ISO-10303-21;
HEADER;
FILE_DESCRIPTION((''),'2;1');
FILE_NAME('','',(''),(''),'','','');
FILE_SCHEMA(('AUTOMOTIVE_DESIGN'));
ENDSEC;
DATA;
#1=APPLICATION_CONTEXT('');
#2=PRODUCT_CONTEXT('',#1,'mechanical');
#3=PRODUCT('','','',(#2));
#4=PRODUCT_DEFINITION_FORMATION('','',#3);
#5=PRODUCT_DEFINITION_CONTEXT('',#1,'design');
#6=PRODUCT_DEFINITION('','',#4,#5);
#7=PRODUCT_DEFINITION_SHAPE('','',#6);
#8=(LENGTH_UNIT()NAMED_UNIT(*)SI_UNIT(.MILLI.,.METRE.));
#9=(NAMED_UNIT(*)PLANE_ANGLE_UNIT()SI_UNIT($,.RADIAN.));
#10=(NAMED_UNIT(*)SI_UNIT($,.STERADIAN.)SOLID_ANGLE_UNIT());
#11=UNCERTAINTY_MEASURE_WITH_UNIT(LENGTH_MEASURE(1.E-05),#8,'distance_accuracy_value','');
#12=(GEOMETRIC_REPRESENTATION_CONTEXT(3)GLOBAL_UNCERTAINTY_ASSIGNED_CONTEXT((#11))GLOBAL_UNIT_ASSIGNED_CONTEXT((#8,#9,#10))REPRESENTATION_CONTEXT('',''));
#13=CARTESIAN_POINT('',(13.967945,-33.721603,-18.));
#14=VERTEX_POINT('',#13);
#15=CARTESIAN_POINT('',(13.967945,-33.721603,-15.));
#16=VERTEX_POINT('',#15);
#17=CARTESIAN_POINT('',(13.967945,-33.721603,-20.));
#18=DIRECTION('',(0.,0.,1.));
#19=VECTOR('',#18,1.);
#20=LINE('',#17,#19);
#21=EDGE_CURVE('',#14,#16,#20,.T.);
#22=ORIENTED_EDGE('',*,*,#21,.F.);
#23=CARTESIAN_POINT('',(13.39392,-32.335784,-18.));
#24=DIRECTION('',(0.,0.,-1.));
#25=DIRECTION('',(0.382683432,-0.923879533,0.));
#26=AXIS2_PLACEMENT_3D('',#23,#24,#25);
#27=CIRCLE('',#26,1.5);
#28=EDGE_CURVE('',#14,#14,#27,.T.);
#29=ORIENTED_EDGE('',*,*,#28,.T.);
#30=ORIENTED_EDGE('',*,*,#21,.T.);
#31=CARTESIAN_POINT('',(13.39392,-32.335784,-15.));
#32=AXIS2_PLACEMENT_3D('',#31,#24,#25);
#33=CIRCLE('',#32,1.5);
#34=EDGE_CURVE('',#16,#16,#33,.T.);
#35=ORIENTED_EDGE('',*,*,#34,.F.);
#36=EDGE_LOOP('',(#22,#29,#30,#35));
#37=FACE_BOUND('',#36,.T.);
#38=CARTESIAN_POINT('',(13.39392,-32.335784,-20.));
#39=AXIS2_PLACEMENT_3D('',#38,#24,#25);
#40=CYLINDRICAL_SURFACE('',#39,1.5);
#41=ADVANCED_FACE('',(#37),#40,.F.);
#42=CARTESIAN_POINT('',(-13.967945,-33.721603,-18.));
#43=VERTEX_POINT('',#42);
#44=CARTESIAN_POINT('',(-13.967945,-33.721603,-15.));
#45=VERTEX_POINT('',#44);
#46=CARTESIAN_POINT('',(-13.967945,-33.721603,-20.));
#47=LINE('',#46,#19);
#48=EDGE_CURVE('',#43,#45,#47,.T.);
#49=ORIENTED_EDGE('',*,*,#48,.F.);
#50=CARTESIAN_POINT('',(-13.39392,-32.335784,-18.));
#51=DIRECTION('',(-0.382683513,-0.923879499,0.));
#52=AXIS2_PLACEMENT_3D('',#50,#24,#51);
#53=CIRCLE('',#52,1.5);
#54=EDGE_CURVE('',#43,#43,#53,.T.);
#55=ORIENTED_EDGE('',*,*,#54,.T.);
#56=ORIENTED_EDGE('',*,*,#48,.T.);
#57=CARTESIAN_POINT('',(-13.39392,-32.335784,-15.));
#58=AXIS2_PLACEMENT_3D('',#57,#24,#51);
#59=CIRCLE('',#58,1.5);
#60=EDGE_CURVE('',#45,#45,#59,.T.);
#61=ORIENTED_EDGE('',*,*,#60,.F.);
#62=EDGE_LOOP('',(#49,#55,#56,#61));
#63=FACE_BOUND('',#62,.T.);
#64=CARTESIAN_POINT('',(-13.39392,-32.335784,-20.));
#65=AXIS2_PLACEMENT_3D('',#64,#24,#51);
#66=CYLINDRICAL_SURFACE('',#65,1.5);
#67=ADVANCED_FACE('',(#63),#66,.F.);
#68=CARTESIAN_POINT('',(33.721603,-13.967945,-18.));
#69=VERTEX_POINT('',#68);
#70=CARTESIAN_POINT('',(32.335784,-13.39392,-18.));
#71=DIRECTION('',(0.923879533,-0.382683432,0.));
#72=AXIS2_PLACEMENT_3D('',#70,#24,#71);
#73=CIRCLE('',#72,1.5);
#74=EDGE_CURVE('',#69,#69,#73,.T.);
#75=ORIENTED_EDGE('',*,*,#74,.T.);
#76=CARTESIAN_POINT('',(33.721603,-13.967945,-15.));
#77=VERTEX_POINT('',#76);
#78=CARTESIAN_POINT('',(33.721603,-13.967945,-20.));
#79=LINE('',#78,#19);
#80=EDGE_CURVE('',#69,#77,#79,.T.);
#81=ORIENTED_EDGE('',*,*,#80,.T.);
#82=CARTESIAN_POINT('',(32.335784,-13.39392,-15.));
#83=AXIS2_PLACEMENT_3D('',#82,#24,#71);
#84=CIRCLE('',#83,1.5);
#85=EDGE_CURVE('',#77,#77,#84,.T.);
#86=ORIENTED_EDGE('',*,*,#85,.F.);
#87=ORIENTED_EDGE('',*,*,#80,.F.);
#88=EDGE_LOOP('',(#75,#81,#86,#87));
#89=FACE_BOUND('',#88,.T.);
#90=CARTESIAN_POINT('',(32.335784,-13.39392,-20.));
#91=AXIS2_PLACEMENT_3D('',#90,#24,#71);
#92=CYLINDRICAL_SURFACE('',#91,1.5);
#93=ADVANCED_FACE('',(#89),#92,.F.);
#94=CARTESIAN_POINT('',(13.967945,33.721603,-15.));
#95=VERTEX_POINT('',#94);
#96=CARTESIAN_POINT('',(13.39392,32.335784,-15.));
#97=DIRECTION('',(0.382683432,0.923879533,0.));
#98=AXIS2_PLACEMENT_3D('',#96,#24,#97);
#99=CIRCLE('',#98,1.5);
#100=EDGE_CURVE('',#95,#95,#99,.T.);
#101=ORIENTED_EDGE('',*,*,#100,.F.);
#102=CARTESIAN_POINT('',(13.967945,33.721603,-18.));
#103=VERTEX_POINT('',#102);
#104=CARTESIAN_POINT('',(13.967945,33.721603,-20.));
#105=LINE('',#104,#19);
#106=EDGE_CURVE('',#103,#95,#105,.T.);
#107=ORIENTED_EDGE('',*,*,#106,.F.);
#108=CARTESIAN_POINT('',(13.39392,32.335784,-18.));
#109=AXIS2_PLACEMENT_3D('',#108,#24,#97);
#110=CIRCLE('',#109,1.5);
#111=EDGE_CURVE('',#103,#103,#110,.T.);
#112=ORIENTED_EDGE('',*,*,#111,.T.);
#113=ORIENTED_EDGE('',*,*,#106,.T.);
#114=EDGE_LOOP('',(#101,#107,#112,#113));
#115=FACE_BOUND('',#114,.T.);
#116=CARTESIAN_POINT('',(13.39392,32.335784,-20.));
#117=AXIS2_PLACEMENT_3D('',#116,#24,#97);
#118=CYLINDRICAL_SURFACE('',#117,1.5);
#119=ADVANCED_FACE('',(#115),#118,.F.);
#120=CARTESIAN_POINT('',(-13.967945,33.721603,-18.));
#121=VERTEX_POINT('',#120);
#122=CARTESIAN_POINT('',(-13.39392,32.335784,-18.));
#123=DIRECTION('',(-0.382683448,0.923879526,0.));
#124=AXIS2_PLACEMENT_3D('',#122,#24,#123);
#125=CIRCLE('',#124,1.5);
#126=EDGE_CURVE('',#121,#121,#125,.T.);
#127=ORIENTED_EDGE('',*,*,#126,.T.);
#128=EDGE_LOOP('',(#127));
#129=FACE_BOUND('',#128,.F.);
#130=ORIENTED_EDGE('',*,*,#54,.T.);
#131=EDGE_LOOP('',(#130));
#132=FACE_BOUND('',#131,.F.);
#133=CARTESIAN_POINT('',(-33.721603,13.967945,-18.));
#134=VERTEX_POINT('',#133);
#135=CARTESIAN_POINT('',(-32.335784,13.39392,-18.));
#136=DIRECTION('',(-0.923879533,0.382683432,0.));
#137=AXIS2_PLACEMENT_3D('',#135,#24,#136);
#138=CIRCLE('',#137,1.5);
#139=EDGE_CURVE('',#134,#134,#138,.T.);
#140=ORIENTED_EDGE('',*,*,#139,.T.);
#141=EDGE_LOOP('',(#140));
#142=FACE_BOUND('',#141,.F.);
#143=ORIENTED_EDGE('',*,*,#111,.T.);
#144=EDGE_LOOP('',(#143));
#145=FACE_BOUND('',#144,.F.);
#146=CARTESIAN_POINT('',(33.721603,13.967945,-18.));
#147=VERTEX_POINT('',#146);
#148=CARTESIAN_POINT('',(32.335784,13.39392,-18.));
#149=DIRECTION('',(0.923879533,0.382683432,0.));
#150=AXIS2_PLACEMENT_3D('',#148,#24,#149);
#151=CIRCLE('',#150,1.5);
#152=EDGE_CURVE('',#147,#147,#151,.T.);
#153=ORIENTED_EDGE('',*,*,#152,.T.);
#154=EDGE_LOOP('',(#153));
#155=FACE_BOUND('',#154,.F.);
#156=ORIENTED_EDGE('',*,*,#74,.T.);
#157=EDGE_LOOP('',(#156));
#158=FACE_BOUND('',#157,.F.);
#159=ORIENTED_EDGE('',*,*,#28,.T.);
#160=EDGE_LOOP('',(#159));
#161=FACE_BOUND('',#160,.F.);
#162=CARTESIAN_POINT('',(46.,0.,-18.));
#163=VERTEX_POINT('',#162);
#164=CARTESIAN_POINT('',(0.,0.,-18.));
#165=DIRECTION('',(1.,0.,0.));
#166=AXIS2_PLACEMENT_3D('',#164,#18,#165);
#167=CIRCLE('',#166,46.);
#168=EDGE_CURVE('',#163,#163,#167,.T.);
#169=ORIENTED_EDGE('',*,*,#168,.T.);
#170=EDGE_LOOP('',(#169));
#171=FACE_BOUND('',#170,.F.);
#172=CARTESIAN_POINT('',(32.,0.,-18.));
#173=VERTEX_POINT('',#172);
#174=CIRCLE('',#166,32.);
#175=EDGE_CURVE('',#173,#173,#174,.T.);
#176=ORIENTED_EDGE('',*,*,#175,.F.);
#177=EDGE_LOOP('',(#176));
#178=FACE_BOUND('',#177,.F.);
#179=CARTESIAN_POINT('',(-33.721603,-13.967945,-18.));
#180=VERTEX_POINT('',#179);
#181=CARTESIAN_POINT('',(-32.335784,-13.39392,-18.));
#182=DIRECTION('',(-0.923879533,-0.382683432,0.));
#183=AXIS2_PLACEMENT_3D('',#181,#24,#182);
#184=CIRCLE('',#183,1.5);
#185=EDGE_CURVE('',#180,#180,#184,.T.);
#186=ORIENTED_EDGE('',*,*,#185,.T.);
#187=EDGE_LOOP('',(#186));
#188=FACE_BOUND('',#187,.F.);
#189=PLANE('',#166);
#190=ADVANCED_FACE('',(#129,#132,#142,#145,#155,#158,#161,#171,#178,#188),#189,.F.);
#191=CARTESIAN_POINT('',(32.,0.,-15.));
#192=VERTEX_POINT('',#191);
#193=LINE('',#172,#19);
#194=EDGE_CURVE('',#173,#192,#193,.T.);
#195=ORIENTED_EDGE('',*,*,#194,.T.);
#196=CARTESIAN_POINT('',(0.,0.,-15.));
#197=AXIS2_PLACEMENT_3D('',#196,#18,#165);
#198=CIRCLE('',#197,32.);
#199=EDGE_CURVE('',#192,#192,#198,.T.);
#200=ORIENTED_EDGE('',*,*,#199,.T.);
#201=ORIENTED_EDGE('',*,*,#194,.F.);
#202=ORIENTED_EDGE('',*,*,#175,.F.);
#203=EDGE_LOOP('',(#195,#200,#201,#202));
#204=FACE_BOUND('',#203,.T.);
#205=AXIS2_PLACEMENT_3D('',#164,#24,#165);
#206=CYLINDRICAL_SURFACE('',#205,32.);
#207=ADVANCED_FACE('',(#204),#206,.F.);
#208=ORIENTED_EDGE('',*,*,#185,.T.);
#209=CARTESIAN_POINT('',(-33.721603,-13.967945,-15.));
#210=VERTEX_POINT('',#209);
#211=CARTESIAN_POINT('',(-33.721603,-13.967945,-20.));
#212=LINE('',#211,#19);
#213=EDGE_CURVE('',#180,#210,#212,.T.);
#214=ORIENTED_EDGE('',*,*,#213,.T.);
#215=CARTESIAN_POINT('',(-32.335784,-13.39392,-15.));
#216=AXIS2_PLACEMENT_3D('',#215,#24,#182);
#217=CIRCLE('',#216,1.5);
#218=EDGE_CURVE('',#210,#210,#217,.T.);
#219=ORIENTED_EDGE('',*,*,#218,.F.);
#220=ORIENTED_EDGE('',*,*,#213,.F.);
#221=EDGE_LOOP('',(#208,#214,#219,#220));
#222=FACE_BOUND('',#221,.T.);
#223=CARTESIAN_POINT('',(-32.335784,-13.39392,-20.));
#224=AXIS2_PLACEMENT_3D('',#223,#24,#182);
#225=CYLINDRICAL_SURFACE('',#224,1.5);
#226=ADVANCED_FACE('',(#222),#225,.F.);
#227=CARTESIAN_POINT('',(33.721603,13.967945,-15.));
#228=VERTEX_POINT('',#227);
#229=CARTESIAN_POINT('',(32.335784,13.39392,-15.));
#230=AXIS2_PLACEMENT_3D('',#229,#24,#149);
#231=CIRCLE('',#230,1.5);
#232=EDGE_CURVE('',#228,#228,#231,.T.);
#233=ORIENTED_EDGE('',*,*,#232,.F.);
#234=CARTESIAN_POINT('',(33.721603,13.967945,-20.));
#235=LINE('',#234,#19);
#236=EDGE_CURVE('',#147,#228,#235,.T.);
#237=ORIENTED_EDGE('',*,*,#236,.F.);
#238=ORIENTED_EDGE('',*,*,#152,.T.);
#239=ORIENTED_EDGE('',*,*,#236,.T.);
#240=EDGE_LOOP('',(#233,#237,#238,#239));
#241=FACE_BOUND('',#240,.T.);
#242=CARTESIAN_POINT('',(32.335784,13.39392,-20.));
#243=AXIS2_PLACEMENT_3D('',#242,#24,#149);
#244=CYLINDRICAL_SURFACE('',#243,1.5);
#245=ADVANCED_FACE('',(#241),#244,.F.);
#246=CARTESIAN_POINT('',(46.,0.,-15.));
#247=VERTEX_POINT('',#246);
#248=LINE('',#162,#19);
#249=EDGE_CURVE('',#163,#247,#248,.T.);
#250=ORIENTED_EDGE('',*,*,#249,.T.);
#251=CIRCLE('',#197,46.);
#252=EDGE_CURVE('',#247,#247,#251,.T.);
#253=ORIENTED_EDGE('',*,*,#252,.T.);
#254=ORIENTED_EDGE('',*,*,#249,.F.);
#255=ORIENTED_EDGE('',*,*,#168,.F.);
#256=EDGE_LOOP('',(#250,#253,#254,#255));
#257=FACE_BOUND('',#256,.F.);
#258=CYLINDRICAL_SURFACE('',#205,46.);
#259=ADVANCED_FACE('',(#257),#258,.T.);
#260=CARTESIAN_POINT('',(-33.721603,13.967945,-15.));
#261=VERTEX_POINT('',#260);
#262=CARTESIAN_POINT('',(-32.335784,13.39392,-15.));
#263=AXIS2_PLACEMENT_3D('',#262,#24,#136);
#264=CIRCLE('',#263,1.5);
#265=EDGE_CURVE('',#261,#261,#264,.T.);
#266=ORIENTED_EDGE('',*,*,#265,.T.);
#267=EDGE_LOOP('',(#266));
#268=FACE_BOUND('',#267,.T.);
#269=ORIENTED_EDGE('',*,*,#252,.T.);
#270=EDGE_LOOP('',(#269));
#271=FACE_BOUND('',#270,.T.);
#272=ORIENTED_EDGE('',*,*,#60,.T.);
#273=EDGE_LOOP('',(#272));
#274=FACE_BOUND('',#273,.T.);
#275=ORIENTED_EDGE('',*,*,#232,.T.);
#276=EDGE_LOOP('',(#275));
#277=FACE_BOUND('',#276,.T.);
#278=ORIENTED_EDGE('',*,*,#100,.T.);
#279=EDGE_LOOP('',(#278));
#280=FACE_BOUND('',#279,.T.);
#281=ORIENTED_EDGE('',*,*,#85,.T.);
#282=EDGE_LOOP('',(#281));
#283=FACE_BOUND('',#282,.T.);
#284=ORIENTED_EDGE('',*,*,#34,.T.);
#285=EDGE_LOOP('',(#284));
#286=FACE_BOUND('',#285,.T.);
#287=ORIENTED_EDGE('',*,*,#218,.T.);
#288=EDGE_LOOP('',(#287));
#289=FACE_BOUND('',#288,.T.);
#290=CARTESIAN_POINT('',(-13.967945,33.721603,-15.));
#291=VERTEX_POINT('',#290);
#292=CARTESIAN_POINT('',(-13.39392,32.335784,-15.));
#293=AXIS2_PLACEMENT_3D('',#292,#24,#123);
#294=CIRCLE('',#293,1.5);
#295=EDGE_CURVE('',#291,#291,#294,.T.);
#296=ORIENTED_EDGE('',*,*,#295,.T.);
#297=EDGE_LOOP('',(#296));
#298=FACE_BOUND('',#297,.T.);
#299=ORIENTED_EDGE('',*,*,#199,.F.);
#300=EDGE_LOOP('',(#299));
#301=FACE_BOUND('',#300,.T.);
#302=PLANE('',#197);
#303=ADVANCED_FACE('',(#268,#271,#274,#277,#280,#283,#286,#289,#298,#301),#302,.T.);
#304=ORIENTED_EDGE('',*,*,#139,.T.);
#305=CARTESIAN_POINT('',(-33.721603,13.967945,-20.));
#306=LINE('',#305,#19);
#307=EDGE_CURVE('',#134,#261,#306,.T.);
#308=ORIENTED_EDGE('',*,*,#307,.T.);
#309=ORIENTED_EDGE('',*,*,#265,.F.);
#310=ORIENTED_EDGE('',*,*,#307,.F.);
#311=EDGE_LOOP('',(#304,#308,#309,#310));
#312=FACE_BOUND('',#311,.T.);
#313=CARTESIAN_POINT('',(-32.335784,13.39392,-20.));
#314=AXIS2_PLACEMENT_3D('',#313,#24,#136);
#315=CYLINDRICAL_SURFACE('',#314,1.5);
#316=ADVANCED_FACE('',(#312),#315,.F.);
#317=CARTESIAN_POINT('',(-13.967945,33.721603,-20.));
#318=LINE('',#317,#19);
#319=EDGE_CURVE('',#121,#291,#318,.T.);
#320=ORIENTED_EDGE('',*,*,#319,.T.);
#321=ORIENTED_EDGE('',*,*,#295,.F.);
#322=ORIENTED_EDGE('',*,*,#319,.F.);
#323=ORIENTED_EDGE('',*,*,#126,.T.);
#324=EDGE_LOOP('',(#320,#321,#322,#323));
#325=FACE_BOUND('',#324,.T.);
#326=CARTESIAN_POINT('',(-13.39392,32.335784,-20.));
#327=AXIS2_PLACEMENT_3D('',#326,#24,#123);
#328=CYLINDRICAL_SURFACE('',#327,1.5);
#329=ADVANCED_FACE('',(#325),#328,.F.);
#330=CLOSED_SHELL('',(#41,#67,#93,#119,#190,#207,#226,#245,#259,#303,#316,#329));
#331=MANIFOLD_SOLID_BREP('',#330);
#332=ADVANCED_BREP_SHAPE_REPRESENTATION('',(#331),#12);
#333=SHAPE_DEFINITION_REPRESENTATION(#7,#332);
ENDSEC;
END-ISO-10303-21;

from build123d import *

# Parameters (mm, degrees)
CYLINDER237_R               = 1.5
CYLINDER237_DEPTH           = 20
CYLINDER237_PLACEMENT_ANGLE = 67.5
CYLINDER244_R               = 1.5
CYLINDER244_DEPTH           = 20
CYLINDER244_PLACEMENT_ANGLE = 112.500001
CYLINDER239_R               = 1.5
CYLINDER239_DEPTH           = 20
CYLINDER239_PLACEMENT_ANGLE = 157.5
CYLINDER242_R               = 1.5
CYLINDER242_DEPTH           = 20
CYLINDER242_PLACEMENT_ANGLE = 202.5
CYLINDER240_R               = 1.5
CYLINDER240_DEPTH           = 20
CYLINDER240_PLACEMENT_ANGLE = 112.500005
CYLINDER243_R               = 1.5
CYLINDER243_DEPTH           = 20
CYLINDER243_PLACEMENT_ANGLE = 67.5
CYLINDER238_R               = 1.5
CYLINDER238_DEPTH           = 20
CYLINDER238_PLACEMENT_ANGLE = 22.5
CYLINDER241_R               = 1.5
CYLINDER241_DEPTH           = 20
CYLINDER241_PLACEMENT_ANGLE = 22.5
TUBE024_R                   = 46
TUBE024_R_2                 = 32
TUBE024_DEPTH               = 3


with BuildPart() as v_lec237:
    # Cylinder237 → Cylinder237 (new body)
    with BuildSketch(Plane.XY):
        Circle(CYLINDER237_R)
    extrude(amount=CYLINDER237_DEPTH)


with BuildPart() as v_lec237_1:
    # Cylinder237 placement: moved
    add(v_lec237.part.moved(Location((13.39392, 32.335784, -22))).rotate(Axis((13.39392, 32.335784, -22), (0, 0, 1)), CYLINDER237_PLACEMENT_ANGLE))


with BuildPart() as v_lec244:
    # Cylinder244 → Cylinder244 (new body)
    with BuildSketch(Plane.XY):
        Circle(CYLINDER244_R)
    extrude(amount=CYLINDER244_DEPTH)


with BuildPart() as v_lec244_1:
    # Cylinder244 placement: moved
    add(v_lec244.part.moved(Location((-13.39392, 32.335784, -22))).rotate(Axis((-13.39392, 32.335784, -22), (0, 0, 1)), CYLINDER244_PLACEMENT_ANGLE))


with BuildPart() as v_lec239:
    # Cylinder239 → Cylinder239 (new body)
    with BuildSketch(Plane.XY):
        Circle(CYLINDER239_R)
    extrude(amount=CYLINDER239_DEPTH)


with BuildPart() as v_lec239_1:
    # Cylinder239 placement: moved
    add(v_lec239.part.moved(Location((-32.335784, 13.39392, -22))).rotate(Axis((-32.335784, 13.39392, -22), (0, 0, 1)), CYLINDER239_PLACEMENT_ANGLE))


with BuildPart() as v_lec242:
    # Cylinder242 → Cylinder242 (new body)
    with BuildSketch(Plane.XY):
        Circle(CYLINDER242_R)
    extrude(amount=CYLINDER242_DEPTH)


with BuildPart() as v_lec242_1:
    # Cylinder242 placement: moved
    add(v_lec242.part.moved(Location((-32.335784, -13.39392, -22))).rotate(Axis((-32.335784, -13.39392, -22), (0, 0, 1)), CYLINDER242_PLACEMENT_ANGLE))


with BuildPart() as v_lec240:
    # Cylinder240 → Cylinder240 (new body)
    with BuildSketch(Plane.XY):
        Circle(CYLINDER240_R)
    extrude(amount=CYLINDER240_DEPTH)


with BuildPart() as v_lec240_1:
    # Cylinder240 placement: moved
    add(v_lec240.part.moved(Location((-13.39392, -32.335784, -22))).rotate(Axis((-13.39392, -32.335784, -22), (0, 0, -1)), CYLINDER240_PLACEMENT_ANGLE))


with BuildPart() as v_lec243:
    # Cylinder243 → Cylinder243 (new body)
    with BuildSketch(Plane.XY):
        Circle(CYLINDER243_R)
    extrude(amount=CYLINDER243_DEPTH)


with BuildPart() as v_lec243_1:
    # Cylinder243 placement: moved
    add(v_lec243.part.moved(Location((13.39392, -32.335784, -22))).rotate(Axis((13.39392, -32.335784, -22), (0, 0, -1)), CYLINDER243_PLACEMENT_ANGLE))


with BuildPart() as v_lec238:
    # Cylinder238 → Cylinder238 (new body)
    with BuildSketch(Plane.XY):
        Circle(CYLINDER238_R)
    extrude(amount=CYLINDER238_DEPTH)


with BuildPart() as v_lec238_1:
    # Cylinder238 placement: moved
    add(v_lec238.part.moved(Location((32.335784, -13.39392, -22))).rotate(Axis((32.335784, -13.39392, -22), (0, 0, -1)), CYLINDER238_PLACEMENT_ANGLE))


with BuildPart() as compound223:
    # Cylinder241 → Cylinder241 (new body)
    with BuildSketch(Plane.XY):
        Circle(CYLINDER241_R)
    extrude(amount=CYLINDER241_DEPTH)


with BuildPart() as compound223_1:
    # Cylinder241 placement: moved
    add(compound223.part.moved(Location((32.335784, 13.39392, -22))).rotate(Axis((32.335784, 13.39392, -22), (0, 0, 1)), CYLINDER241_PLACEMENT_ANGLE))

    # Compound223: union Válec237, Válec244, Válec239, Válec242, Válec240, Válec243, Válec238
    add(v_lec237_1.part)
    add(v_lec244_1.part)
    add(v_lec239_1.part)
    add(v_lec242_1.part)
    add(v_lec240_1.part)
    add(v_lec243_1.part)
    add(v_lec238_1.part)


with BuildPart() as compound223_2:
    # Compound223 placement: moved
    add(compound223_1.part.moved(Location((0, 0, 2))))


with BuildPart() as dilatacka_podmotorni:
    # Tube024 → Tube024 (new body)
    with BuildSketch(Plane.XY.offset(-18)):
        Circle(TUBE024_R)
        Circle(TUBE024_R_2, mode=Mode.SUBTRACT)
    extrude(amount=TUBE024_DEPTH)

    # Cut117: cut Compound223
    add(compound223_2.part, mode=Mode.SUBTRACT)


solid = dilatacka_podmotorni.part
